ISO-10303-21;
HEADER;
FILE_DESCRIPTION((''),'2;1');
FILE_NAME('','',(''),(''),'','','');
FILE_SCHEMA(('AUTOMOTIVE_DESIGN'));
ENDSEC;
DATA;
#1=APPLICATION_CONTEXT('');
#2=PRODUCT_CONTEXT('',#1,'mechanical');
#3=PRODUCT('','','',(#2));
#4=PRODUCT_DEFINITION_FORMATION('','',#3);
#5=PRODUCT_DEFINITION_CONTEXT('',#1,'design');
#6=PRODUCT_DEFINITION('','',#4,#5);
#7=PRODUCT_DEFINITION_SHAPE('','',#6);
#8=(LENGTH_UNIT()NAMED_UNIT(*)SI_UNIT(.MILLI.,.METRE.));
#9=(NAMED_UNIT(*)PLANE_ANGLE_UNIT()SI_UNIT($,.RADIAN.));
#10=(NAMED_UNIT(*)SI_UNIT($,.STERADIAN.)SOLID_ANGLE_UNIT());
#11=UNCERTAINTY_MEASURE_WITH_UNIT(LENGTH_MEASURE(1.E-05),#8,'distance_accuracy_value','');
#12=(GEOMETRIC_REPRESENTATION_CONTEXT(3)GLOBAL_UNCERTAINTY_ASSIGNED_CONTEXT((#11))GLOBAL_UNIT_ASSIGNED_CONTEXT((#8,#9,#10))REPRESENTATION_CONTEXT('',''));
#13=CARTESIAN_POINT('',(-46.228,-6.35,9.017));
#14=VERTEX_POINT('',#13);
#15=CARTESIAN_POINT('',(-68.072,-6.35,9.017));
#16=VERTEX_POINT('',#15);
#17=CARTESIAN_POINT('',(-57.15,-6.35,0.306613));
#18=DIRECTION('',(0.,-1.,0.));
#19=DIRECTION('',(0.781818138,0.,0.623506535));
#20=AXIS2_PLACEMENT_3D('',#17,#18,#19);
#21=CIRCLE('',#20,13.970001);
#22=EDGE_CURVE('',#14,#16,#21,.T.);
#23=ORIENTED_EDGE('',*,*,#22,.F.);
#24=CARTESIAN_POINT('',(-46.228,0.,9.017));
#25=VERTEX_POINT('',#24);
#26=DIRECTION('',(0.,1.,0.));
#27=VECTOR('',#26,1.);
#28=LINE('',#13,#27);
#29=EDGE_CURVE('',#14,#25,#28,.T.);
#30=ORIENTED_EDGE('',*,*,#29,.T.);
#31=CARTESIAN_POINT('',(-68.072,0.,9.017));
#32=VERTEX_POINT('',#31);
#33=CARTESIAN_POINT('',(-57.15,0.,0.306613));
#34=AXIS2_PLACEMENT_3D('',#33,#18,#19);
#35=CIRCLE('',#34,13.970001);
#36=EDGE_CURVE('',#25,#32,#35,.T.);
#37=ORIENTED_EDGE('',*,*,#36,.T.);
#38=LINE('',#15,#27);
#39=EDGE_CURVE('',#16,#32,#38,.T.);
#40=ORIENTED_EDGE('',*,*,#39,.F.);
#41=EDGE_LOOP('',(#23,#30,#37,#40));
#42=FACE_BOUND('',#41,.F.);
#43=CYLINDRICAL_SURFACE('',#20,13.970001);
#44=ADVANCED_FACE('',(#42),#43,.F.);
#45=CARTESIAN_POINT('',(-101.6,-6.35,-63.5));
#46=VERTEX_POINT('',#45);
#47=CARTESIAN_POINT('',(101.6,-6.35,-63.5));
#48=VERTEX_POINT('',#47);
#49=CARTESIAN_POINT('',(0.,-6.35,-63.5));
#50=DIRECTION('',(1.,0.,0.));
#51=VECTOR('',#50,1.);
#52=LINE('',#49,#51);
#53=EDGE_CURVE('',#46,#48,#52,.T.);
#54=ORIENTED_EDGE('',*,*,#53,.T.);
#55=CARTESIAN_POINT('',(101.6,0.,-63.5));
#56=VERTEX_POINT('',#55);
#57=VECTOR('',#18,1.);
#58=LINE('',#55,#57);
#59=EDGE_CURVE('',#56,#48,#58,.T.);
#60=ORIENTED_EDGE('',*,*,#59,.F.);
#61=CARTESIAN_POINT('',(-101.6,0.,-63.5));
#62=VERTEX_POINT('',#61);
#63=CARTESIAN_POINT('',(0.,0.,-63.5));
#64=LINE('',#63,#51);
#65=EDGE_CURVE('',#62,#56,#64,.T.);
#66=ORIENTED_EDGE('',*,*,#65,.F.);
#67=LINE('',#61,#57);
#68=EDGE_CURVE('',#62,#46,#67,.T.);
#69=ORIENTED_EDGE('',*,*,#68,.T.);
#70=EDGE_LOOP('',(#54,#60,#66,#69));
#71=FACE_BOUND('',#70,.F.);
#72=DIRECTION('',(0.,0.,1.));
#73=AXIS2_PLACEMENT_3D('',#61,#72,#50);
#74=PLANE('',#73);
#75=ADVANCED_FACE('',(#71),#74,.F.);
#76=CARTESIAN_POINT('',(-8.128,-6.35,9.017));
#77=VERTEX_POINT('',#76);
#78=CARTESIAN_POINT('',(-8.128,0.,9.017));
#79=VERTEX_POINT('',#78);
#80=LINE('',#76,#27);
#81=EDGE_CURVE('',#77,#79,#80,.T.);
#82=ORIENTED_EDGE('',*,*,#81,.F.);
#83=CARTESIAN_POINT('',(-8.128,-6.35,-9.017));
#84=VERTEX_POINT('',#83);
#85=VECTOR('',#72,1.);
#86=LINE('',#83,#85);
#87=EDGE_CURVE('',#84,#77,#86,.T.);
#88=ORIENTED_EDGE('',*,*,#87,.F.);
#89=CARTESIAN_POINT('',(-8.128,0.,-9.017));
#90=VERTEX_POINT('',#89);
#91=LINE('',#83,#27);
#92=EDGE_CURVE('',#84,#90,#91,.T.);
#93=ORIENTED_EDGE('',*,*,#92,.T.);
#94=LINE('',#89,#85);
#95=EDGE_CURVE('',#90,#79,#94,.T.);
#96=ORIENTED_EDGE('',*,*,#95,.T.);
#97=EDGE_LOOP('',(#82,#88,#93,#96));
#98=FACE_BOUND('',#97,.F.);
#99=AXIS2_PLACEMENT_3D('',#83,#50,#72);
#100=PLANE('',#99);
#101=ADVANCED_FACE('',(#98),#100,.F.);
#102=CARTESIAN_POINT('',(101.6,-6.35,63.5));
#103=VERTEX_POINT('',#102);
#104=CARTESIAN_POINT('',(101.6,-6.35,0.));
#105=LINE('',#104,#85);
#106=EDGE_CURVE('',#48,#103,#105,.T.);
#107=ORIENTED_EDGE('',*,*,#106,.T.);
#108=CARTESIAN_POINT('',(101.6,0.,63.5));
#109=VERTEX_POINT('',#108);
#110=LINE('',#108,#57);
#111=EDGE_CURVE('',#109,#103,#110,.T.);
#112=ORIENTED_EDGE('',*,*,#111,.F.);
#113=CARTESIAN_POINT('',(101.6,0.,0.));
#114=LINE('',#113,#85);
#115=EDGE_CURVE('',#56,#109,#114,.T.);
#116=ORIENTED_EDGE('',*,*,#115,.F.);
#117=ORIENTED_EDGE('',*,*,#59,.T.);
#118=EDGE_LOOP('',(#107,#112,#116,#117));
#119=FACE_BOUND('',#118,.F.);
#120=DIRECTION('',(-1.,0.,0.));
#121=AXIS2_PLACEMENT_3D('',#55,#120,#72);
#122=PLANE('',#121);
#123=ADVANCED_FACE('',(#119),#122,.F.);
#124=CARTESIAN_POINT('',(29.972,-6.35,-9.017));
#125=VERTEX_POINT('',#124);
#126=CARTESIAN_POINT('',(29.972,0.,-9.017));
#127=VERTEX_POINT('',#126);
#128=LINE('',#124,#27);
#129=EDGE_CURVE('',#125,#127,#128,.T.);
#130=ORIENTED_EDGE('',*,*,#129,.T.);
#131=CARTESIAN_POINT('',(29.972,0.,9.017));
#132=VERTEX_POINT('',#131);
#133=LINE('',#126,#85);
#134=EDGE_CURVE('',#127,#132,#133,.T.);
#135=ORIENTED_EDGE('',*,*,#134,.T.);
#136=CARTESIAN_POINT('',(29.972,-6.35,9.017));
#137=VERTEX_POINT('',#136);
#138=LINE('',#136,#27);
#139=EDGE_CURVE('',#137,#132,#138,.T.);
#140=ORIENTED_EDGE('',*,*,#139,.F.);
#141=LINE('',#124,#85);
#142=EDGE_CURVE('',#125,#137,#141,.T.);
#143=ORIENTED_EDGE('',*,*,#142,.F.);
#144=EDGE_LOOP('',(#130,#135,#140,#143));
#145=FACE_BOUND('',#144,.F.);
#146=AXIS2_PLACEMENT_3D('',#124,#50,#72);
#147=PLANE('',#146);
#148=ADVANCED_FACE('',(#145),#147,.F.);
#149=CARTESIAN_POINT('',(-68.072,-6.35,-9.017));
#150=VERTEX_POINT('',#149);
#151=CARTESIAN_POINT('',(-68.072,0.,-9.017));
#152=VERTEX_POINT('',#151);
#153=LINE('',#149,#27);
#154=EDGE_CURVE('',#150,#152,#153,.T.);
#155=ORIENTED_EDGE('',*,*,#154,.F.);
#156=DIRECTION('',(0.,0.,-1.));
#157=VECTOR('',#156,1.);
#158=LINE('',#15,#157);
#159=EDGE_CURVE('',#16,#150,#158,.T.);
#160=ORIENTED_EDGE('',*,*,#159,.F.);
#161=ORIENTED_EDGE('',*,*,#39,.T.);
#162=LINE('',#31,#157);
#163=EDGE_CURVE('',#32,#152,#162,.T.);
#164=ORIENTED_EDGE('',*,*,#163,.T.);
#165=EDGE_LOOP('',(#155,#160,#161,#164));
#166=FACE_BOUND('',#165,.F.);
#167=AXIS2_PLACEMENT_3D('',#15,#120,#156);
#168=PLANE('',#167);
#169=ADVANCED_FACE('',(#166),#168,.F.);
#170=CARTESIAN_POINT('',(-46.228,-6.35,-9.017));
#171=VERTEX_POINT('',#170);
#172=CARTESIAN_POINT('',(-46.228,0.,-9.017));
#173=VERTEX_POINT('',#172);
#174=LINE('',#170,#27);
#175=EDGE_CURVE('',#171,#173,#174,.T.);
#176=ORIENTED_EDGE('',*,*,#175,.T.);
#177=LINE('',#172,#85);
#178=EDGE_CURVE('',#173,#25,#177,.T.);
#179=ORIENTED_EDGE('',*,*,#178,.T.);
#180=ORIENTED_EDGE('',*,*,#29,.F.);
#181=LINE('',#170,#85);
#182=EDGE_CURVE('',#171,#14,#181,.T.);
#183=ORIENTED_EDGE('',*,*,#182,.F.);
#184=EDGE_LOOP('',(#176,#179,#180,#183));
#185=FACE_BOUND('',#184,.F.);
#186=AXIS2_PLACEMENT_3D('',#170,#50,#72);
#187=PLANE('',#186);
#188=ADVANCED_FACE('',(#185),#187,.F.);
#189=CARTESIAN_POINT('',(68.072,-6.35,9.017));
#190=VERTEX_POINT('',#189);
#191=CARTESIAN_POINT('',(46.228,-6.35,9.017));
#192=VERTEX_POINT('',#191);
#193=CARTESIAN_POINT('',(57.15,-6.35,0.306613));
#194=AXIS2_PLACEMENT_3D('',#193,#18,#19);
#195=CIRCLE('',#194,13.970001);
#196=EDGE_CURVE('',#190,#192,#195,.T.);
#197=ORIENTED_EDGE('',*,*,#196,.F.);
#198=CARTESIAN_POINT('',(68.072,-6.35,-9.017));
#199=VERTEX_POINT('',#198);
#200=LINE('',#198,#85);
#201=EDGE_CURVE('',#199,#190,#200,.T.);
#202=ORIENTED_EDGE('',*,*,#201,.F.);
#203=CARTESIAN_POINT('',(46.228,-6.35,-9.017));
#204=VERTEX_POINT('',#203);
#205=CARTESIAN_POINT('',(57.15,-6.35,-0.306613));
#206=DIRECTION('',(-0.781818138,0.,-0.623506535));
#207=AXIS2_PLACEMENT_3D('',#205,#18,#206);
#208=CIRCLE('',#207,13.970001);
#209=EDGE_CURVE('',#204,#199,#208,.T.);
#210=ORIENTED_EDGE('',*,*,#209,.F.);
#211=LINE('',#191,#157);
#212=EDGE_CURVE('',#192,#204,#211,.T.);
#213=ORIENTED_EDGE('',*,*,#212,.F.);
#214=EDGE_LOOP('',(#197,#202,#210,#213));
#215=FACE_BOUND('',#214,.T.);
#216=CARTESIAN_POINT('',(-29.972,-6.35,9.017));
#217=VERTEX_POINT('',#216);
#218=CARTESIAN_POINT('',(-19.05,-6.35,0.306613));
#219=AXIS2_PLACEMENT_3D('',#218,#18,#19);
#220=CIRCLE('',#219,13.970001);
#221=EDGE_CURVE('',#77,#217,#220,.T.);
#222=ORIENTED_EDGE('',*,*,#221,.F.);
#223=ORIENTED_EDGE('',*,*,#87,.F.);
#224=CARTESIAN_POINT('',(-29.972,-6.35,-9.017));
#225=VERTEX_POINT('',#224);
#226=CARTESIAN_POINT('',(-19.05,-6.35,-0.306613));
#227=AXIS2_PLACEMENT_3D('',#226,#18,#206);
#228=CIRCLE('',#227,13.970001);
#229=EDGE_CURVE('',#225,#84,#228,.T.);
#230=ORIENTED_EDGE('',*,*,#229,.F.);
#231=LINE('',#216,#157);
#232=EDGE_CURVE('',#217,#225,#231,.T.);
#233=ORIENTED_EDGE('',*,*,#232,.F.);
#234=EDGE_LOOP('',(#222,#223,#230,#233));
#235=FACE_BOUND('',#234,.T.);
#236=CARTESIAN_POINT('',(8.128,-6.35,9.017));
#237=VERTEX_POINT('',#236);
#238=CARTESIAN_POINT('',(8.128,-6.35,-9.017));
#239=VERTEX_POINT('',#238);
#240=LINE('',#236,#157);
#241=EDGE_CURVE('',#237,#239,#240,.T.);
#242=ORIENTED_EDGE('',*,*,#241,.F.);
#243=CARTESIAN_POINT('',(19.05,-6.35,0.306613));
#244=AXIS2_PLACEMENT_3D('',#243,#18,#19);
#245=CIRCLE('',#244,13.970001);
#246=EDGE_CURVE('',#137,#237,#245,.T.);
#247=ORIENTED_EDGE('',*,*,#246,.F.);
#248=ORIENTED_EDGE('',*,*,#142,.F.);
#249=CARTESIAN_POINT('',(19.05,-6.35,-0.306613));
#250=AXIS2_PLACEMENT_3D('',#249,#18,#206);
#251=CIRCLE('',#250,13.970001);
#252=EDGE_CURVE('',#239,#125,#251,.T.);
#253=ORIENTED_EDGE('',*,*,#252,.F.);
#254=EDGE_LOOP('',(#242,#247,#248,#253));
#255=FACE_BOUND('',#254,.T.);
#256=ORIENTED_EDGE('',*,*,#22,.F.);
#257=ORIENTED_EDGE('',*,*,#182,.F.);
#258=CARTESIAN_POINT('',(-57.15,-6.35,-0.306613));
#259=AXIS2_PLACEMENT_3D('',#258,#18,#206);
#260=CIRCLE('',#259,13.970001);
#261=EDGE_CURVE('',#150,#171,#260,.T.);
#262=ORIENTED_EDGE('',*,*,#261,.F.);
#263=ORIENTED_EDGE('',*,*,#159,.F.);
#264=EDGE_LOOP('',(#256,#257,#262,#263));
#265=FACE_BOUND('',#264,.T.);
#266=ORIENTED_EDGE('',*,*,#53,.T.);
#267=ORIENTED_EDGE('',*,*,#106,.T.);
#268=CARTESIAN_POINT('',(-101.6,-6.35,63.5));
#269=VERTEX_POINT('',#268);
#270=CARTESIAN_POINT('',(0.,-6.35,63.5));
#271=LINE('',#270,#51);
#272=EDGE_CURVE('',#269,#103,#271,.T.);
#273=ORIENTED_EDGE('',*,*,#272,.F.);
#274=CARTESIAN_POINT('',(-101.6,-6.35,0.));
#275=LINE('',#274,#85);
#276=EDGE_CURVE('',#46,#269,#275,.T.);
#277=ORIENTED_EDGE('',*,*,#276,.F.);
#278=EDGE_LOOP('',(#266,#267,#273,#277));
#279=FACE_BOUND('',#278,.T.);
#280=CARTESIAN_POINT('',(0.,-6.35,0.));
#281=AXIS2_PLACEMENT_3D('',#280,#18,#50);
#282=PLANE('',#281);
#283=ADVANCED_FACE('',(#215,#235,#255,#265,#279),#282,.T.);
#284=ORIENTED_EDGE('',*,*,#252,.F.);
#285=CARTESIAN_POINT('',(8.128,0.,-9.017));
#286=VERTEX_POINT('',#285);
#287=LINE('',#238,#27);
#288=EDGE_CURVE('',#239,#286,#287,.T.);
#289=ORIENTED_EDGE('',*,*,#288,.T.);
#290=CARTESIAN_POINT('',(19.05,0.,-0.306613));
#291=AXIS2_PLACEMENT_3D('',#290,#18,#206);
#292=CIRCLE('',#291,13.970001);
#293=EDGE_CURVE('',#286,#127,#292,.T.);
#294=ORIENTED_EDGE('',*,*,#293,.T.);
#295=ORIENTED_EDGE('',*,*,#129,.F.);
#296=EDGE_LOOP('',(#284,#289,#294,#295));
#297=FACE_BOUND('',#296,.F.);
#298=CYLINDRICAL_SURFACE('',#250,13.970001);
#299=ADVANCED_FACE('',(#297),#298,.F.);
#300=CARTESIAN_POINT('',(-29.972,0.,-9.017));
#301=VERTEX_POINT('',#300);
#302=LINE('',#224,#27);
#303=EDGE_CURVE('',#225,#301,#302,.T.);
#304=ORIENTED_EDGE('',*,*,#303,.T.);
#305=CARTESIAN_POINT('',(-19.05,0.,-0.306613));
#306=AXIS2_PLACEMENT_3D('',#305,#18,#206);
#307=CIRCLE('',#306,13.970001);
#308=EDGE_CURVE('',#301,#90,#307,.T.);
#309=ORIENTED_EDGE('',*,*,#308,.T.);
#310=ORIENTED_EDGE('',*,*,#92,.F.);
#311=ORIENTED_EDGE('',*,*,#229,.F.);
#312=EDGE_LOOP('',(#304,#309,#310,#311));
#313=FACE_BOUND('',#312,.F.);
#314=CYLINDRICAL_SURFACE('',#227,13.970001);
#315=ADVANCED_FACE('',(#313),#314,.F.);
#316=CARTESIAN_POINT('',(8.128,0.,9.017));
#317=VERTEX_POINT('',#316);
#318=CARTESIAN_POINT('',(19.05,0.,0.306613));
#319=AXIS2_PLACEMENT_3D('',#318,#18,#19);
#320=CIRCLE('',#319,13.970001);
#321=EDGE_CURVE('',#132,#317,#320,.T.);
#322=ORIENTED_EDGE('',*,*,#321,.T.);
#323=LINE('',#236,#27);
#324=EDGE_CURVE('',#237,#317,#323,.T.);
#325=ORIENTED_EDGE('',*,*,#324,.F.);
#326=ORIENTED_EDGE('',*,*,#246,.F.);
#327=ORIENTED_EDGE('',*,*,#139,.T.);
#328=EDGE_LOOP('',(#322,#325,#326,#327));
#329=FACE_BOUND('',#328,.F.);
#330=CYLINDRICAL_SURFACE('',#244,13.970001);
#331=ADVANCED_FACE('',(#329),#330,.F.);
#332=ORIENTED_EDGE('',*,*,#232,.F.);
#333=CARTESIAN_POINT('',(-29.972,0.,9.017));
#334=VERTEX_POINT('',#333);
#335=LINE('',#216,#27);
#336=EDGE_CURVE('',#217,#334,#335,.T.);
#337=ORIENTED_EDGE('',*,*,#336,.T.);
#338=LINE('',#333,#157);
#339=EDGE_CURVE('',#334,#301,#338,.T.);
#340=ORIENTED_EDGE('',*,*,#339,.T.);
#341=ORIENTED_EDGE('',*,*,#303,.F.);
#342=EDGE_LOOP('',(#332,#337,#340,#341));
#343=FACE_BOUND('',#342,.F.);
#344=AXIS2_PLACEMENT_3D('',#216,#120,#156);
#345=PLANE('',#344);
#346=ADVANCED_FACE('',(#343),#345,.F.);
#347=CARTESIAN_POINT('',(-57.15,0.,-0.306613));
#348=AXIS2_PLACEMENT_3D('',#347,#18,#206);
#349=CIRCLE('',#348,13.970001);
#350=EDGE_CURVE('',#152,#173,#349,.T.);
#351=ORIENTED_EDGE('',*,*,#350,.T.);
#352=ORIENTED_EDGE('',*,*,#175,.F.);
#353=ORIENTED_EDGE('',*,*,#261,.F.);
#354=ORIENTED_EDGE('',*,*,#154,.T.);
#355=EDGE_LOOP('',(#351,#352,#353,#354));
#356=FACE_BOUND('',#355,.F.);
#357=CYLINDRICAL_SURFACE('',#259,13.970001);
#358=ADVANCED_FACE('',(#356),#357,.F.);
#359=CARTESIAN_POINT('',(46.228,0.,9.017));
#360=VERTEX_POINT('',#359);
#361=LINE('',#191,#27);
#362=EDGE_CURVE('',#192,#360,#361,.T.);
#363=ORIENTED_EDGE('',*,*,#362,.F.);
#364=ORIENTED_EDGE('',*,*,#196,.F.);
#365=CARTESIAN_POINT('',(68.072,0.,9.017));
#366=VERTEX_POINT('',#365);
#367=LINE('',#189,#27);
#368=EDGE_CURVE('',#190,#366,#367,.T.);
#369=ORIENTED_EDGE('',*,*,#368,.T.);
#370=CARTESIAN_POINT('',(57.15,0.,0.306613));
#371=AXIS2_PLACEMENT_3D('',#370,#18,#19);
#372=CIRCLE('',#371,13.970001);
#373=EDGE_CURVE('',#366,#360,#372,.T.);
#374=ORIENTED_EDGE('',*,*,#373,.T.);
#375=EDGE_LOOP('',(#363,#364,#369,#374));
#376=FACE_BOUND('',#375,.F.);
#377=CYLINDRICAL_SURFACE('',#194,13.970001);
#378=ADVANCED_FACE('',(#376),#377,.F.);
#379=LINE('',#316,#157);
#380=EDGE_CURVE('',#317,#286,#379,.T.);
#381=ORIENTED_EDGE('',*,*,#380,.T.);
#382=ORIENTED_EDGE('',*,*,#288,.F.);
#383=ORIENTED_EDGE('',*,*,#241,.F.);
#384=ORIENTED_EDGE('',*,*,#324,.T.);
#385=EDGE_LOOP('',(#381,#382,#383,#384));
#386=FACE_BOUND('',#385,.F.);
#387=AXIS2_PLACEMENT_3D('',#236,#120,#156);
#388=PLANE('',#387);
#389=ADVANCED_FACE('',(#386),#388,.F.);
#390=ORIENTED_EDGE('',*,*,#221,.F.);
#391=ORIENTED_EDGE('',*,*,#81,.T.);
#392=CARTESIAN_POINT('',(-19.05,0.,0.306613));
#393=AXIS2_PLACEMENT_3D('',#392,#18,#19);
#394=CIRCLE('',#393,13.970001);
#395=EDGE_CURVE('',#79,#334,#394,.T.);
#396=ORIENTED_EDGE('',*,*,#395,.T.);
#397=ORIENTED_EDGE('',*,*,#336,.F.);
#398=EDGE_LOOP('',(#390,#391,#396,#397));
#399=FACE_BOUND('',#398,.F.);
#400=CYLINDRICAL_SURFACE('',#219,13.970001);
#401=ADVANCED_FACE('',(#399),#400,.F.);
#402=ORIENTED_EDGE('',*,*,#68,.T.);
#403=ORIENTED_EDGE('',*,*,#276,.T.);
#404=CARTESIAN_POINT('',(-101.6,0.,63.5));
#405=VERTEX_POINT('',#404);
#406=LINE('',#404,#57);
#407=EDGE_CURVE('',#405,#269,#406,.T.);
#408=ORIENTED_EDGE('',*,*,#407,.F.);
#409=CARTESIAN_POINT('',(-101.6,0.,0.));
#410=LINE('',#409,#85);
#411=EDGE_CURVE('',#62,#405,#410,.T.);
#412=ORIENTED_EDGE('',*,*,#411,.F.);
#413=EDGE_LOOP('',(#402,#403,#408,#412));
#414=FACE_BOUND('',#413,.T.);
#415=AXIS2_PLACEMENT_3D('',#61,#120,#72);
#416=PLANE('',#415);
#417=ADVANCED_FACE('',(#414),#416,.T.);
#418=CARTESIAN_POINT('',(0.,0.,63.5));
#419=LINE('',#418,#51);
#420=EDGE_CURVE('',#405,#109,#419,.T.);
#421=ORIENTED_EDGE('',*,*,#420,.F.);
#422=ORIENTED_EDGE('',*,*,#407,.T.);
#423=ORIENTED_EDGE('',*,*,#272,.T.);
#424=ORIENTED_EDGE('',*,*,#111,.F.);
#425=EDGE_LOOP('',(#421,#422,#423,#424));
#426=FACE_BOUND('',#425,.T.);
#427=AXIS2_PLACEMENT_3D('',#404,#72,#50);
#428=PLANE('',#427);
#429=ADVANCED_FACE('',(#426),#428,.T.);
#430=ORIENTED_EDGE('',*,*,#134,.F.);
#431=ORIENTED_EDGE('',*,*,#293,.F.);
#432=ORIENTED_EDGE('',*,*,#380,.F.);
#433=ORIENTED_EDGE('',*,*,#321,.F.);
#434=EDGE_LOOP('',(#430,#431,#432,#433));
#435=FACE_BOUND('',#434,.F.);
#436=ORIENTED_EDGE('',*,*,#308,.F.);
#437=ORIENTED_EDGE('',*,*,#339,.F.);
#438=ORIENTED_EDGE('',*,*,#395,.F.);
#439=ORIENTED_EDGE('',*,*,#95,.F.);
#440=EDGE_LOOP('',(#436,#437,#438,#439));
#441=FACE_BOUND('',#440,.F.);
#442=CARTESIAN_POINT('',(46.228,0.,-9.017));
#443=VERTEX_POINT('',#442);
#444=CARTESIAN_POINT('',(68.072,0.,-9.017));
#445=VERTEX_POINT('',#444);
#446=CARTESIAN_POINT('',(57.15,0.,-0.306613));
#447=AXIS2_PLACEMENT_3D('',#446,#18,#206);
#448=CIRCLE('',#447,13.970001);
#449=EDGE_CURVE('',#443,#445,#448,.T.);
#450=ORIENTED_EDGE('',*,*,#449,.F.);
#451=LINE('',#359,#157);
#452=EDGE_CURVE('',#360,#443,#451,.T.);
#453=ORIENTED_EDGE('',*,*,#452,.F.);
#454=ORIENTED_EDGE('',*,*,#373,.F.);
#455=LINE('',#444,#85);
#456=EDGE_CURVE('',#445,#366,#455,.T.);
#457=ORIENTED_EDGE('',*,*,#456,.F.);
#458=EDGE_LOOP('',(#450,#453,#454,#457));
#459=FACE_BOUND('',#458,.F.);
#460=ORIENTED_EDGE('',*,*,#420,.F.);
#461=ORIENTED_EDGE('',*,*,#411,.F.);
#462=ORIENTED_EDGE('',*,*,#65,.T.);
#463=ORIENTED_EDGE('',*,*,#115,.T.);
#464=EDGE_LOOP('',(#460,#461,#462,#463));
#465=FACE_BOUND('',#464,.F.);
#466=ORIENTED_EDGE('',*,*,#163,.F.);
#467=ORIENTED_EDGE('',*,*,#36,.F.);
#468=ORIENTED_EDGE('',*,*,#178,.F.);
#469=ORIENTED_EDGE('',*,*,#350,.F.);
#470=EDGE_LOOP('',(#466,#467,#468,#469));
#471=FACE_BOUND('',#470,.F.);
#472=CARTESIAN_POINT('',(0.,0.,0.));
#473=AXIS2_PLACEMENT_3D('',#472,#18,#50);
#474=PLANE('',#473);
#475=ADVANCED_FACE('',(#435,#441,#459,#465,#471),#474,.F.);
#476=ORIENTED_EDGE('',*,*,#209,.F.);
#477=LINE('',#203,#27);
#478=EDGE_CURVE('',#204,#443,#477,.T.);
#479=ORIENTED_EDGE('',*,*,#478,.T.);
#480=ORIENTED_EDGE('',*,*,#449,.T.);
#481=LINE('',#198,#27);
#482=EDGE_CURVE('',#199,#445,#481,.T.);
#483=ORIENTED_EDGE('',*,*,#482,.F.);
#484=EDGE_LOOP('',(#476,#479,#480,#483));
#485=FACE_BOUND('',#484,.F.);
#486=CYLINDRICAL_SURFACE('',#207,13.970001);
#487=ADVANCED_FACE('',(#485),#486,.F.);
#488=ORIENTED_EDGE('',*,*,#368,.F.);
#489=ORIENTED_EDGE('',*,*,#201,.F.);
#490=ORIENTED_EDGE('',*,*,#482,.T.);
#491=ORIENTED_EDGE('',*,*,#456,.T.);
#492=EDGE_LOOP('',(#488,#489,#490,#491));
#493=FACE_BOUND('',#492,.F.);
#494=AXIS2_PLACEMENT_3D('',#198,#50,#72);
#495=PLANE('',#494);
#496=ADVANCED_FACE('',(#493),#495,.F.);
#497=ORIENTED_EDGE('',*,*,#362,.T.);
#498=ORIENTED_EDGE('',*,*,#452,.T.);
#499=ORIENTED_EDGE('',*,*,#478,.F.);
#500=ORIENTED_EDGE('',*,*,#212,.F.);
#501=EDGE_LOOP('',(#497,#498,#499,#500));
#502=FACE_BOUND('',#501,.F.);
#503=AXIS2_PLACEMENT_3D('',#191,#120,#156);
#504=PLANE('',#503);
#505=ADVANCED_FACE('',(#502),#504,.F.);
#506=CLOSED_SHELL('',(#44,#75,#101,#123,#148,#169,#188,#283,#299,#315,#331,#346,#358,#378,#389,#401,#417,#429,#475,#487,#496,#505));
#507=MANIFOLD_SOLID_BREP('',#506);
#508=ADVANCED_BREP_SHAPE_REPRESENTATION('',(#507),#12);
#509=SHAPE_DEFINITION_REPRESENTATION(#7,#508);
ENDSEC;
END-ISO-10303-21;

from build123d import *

# Parameters (mm, degrees)
F0_W     = 203.2
F0_H     = 127
F1_DEPTH = 6.35
F3_DEPTH = 6.35


with BuildPart() as f1:
    # F0 (on Front) → F1 (new body)
    with BuildSketch(Plane.XZ):
        Rectangle(F0_W, F0_H)
    extrude(amount=F1_DEPTH)

    # F2 (on face) → F3 (cut, through all)
    with BuildSketch(Plane.XZ.offset(6.35)):
        with BuildLine():
            Line((-68.072, 9.017), (-68.072, 0))
            Line((-68.072, 0), (-68.072, -9.017))
            ThreePointArc((-68.072, -9.017), (-57.15, -14.276614), (-46.228, -9.017))
            Line((-46.228, -9.017), (-46.228, 0))
            Line((-46.228, 0), (-46.228, 9.017))
            ThreePointArc((-46.228, 9.017), (-57.15, 14.276614), (-68.072, 9.017))
        make_face()
        with BuildLine():
            Line((-29.972, 9.017), (-29.972, 0))
            Line((-29.972, 0), (-29.972, -9.017))
            ThreePointArc((-29.972, -9.017), (-19.05, -14.276614), (-8.128, -9.017))
            Line((-8.128, -9.017), (-8.128, 0))
            Line((-8.128, 0), (-8.128, 9.017))
            ThreePointArc((-8.128, 9.017), (-19.05, 14.276614), (-29.972, 9.017))
        make_face()
        with BuildLine():
            Line((8.128, 9.017), (8.128, 0))
            Line((8.128, 0), (8.128, -9.017))
            ThreePointArc((8.128, -9.017), (19.05, -14.276614), (29.972, -9.017))
            Line((29.972, -9.017), (29.972, 0))
            Line((29.972, 0), (29.972, 9.017))
            ThreePointArc((29.972, 9.017), (19.05, 14.276614), (8.128, 9.017))
        make_face()
        with BuildLine():
            Line((46.228, 9.017), (46.228, 0))
            Line((46.228, 0), (46.228, -9.017))
            ThreePointArc((46.228, -9.017), (57.15, -14.276614), (68.072, -9.017))
            Line((68.072, -9.017), (68.072, 0))
            Line((68.072, 0), (68.072, 9.017))
            ThreePointArc((68.072, 9.017), (57.15, 14.276614), (46.228, 9.017))
        make_face()
    extrude(amount=-F3_DEPTH, mode=Mode.SUBTRACT)


solid = f1.part
